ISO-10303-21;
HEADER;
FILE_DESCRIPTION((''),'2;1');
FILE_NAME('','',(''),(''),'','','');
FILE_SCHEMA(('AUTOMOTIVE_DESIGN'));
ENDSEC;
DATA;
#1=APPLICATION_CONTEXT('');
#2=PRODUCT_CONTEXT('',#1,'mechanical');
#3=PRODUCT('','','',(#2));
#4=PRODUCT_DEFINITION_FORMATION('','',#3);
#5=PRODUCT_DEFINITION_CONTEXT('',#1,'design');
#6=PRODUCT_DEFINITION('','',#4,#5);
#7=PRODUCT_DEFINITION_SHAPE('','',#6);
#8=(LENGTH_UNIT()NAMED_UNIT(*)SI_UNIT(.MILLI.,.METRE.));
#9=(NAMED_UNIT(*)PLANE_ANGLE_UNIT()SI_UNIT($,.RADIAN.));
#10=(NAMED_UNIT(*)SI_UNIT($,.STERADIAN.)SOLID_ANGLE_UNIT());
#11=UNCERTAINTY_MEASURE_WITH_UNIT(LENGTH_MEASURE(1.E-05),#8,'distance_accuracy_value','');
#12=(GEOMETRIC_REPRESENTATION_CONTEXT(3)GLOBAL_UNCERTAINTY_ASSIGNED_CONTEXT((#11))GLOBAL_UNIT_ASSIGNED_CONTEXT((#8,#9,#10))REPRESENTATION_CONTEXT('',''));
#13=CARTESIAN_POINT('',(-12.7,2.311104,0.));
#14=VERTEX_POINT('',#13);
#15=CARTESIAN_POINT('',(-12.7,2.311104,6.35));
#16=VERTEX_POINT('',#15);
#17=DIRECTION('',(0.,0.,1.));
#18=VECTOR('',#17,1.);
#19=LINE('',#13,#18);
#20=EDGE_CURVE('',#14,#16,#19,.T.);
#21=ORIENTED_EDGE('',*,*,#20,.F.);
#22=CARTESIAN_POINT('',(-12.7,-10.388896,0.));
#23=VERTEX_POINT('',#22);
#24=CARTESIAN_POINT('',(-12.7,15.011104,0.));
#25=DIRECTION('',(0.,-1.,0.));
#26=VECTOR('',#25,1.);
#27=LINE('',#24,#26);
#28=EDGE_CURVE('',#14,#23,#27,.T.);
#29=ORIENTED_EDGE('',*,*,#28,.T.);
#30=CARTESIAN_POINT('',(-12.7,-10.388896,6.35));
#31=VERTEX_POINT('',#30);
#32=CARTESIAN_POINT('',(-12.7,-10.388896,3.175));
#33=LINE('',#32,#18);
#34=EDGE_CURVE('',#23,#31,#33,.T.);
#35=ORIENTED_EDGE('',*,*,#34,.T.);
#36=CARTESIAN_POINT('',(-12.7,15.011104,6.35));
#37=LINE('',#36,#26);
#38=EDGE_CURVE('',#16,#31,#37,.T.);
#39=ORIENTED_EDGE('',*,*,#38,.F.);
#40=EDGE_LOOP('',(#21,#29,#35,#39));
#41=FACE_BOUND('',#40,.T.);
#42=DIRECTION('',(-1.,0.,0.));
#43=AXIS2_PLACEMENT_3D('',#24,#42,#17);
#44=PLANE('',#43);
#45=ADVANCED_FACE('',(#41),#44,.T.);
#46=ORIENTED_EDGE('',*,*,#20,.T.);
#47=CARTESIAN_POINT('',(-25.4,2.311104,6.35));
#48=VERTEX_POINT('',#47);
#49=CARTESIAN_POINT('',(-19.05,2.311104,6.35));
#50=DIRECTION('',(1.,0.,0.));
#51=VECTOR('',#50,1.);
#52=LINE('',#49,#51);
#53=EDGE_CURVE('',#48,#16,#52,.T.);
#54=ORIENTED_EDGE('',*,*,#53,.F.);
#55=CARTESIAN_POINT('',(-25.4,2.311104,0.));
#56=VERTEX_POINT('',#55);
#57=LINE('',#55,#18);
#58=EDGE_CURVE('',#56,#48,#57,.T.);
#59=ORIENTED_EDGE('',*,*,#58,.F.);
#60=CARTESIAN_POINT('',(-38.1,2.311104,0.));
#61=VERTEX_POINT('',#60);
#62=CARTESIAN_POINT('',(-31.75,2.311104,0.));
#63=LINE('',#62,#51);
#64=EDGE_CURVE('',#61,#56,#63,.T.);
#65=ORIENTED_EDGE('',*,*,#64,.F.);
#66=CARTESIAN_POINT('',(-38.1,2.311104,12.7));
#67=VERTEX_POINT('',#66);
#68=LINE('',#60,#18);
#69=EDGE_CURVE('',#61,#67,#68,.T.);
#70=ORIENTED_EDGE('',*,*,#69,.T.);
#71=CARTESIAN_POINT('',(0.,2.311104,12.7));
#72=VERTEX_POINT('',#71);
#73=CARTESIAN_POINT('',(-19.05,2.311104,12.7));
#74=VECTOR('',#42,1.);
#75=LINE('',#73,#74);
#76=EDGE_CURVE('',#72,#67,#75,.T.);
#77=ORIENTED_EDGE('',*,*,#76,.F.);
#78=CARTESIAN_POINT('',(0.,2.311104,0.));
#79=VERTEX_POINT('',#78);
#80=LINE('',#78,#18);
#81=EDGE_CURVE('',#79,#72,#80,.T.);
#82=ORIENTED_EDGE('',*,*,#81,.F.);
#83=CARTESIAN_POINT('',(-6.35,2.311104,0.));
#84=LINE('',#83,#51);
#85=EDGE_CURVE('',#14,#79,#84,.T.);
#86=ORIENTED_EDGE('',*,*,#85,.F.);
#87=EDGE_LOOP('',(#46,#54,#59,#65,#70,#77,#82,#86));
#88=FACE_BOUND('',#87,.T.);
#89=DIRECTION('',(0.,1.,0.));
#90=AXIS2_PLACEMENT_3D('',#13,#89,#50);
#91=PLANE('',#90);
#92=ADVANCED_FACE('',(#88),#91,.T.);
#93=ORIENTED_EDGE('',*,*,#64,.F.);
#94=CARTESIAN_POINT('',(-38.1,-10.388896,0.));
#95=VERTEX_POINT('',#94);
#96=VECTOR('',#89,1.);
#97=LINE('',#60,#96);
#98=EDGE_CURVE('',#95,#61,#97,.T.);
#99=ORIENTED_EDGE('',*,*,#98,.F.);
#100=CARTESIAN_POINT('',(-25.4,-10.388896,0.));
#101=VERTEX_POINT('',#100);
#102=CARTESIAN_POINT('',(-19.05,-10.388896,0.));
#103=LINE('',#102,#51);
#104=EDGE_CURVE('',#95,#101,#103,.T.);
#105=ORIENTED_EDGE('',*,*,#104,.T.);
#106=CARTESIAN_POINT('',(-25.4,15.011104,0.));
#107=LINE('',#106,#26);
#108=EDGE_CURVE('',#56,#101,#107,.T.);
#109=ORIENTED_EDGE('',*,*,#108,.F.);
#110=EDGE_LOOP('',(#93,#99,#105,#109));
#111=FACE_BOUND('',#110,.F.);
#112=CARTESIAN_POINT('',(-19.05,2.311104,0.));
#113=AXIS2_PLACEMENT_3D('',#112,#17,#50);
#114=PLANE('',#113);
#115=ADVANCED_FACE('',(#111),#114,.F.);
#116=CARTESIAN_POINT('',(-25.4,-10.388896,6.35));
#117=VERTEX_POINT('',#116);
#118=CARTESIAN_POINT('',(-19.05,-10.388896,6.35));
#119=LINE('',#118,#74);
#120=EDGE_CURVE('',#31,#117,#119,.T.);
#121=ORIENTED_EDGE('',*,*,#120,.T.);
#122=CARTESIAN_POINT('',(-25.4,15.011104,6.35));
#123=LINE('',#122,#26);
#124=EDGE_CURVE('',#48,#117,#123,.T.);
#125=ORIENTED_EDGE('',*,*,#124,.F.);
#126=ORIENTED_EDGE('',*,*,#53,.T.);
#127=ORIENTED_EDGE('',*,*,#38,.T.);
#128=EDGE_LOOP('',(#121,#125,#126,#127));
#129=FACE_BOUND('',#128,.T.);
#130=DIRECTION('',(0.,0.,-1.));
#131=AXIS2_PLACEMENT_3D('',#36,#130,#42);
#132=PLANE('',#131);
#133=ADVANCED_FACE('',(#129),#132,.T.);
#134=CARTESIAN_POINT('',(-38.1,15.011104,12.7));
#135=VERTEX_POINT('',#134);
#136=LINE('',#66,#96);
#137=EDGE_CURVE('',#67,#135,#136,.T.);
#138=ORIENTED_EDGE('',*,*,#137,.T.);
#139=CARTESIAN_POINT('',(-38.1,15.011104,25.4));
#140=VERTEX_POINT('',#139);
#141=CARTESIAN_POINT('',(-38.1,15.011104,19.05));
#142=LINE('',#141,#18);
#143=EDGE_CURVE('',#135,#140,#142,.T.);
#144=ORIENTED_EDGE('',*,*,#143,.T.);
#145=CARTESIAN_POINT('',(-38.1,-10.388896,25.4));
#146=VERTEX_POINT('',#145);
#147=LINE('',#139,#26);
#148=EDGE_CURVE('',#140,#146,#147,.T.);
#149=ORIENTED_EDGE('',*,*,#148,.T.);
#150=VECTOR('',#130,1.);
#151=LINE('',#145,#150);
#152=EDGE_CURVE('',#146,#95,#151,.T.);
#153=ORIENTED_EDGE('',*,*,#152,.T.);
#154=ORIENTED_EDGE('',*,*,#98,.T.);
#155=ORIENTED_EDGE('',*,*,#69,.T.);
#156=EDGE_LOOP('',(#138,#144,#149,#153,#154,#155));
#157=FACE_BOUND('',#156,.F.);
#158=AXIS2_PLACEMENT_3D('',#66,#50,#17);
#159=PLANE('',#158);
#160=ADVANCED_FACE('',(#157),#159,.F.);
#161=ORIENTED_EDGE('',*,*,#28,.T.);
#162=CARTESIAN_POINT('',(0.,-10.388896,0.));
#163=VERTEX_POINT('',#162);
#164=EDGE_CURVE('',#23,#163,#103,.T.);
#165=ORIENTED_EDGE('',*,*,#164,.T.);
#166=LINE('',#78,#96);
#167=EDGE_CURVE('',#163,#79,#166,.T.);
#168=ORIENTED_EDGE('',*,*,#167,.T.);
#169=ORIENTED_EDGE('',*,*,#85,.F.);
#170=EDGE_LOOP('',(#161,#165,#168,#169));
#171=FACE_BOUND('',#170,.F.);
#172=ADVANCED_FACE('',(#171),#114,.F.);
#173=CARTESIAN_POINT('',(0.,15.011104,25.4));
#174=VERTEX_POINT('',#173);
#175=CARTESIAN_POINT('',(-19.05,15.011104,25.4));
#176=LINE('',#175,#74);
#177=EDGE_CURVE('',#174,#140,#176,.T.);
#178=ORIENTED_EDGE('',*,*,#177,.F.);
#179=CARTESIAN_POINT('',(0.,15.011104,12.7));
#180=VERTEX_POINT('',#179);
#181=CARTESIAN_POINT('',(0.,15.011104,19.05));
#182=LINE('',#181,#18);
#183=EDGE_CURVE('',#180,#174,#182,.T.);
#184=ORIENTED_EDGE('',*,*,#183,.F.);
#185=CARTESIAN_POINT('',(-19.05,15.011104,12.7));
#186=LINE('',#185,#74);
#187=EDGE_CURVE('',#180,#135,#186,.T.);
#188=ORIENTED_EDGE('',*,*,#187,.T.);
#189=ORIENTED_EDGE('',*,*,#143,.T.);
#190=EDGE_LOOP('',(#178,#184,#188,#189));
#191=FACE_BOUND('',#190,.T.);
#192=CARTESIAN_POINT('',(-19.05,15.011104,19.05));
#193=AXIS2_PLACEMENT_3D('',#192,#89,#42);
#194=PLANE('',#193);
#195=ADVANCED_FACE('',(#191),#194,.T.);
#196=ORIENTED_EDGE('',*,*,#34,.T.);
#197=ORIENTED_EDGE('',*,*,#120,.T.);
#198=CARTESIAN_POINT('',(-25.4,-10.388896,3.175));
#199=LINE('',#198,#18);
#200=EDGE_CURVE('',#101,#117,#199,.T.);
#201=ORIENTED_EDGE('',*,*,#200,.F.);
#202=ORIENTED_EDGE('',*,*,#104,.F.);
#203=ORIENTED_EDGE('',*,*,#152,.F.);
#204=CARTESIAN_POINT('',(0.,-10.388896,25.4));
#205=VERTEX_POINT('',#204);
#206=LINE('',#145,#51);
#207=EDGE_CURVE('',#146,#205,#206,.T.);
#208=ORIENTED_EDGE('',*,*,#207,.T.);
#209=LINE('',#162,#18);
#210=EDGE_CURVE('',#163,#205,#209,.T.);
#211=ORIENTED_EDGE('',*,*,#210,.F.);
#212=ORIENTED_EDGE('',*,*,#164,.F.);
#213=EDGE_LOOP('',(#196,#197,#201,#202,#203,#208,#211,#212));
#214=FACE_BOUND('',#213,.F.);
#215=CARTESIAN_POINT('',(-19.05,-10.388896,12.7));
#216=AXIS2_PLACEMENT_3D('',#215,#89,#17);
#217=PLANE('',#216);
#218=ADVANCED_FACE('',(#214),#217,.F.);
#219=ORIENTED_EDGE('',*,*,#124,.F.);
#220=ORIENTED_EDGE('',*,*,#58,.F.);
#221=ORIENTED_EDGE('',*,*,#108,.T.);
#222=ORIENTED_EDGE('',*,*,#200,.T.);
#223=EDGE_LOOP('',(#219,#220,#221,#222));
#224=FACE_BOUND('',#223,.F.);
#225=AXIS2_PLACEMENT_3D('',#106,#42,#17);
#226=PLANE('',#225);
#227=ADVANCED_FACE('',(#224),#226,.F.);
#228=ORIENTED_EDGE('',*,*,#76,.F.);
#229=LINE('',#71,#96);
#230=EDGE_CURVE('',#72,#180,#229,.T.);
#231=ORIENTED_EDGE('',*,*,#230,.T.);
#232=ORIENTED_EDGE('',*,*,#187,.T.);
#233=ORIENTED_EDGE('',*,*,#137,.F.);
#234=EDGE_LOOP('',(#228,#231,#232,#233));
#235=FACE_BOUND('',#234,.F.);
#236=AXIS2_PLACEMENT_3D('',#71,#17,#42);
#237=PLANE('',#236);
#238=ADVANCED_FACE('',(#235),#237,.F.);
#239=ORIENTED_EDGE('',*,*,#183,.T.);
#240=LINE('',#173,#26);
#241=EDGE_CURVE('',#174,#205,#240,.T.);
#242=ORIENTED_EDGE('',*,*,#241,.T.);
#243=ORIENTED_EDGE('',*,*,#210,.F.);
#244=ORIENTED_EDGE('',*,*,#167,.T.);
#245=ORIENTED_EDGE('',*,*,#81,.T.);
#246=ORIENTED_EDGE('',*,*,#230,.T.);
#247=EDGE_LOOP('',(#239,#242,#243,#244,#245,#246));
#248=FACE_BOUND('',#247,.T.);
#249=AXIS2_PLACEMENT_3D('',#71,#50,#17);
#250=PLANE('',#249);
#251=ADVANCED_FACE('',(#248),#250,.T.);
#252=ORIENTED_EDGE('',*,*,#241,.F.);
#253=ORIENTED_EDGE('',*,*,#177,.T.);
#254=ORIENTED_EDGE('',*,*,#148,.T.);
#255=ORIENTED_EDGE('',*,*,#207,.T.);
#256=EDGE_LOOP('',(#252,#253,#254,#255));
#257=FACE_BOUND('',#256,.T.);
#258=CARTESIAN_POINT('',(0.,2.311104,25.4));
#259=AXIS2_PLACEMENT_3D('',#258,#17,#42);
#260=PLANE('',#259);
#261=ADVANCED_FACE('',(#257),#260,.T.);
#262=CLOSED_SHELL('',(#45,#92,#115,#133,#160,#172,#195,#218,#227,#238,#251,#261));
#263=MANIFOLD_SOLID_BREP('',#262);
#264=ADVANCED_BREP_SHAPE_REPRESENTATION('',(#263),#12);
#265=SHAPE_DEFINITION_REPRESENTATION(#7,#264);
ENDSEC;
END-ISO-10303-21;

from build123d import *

# Parameters (mm, degrees)
F0_W      = 38.1
F0_H      = 25.4
F1_DEPTH  = 31.75
F2_W      = 19.05
F2_H      = 12.7
F3_DEPTH  = 25.4
F4_W      = 12.7
F4_H      = 6.35
F5_DEPTH  = 25.4
F6_DEPTH  = 19.05
F7_W      = 12.7
F7_H      = 12.7
F8_DEPTH  = 25.4
F9_W      = 12.7
F9_H      = 12.7
F10_DEPTH = 25.4
F11_W     = 12.7
F11_H     = 12.7
F12_DEPTH = 25.4
F13_W     = 38.1
F13_H     = 12.7
F14_DEPTH = 12.7


with BuildPart() as f1:
    # F0 (on Top) → F1 (new body)
    with BuildSketch(Plane.XY):
        with Locations((-19.05, 2.3111041307)):
            Rectangle(F0_W, F0_H)
    extrude(amount=F1_DEPTH)

    # F2 (on face) → F3 (cut)
    with BuildSketch(Plane.XZ.offset(10.3888958693)):
        Polygon((-38.1, 31.75), (-38.1, 25.4), (-19.05, 25.4), (0, 25.4), (0, 31.75), align=None)
        with Locations((-28.575, 19.05)):
            Rectangle(F2_W, F2_H)
    extrude(amount=-F3_DEPTH, mode=Mode.SUBTRACT)

    # F4 (on face) → F5 (cut)
    with BuildSketch(Plane(origin=(0, 15.0111041307, 0), x_dir=(-1, 0, 0), z_dir=(0, 1, 0))):
        with Locations((19.05, 3.175)):
            Rectangle(F4_W, F4_H)
    extrude(amount=-F5_DEPTH, mode=Mode.SUBTRACT)

    # F6 (add): a face of the model
    f6_faces = [f1.faces().sort_by_distance(p)[0] for p in [
        (-19.05, 2.3111041307, 19.05),
    ]]
    extrude(f6_faces, amount=F6_DEPTH)

    # F7 (on face) → F8 (cut)
    with BuildSketch(Plane(origin=(0, 0, 0), x_dir=(1, 0, 0), z_dir=(0, 0, -1))):
        with Locations((-31.75, -8.6611041307)):
            Rectangle(F7_W, F7_H)
    extrude(amount=-F8_DEPTH, mode=Mode.SUBTRACT)

    # F9 (on face) → F10 (cut)
    with BuildSketch(Plane(origin=(0, 0, 0), x_dir=(1, 0, 0), z_dir=(0, 0, -1))):
        with Locations((-6.35, -8.6611041307)):
            Rectangle(F9_W, F9_H)
    extrude(amount=-F10_DEPTH, mode=Mode.SUBTRACT)

    # F11 (on face) → F12 (cut)
    with BuildSketch(Plane(origin=(0, 0, 6.35), x_dir=(1, 0, 0), z_dir=(0, 0, -1))):
        with Locations((-19.05, -8.6611041307)):
            Rectangle(F11_W, F11_H)
    extrude(amount=-F12_DEPTH, mode=Mode.SUBTRACT)

    # F13 (on face) → F14 (join)
    with BuildSketch(Plane(origin=(0, 2.3111041307, 0), x_dir=(-1, 0, 0), z_dir=(0, 1, 0))):
        with Locations((19.05, 19.05)):
            Rectangle(F13_W, F13_H)
    extrude(amount=F14_DEPTH)


solid = f1.part
